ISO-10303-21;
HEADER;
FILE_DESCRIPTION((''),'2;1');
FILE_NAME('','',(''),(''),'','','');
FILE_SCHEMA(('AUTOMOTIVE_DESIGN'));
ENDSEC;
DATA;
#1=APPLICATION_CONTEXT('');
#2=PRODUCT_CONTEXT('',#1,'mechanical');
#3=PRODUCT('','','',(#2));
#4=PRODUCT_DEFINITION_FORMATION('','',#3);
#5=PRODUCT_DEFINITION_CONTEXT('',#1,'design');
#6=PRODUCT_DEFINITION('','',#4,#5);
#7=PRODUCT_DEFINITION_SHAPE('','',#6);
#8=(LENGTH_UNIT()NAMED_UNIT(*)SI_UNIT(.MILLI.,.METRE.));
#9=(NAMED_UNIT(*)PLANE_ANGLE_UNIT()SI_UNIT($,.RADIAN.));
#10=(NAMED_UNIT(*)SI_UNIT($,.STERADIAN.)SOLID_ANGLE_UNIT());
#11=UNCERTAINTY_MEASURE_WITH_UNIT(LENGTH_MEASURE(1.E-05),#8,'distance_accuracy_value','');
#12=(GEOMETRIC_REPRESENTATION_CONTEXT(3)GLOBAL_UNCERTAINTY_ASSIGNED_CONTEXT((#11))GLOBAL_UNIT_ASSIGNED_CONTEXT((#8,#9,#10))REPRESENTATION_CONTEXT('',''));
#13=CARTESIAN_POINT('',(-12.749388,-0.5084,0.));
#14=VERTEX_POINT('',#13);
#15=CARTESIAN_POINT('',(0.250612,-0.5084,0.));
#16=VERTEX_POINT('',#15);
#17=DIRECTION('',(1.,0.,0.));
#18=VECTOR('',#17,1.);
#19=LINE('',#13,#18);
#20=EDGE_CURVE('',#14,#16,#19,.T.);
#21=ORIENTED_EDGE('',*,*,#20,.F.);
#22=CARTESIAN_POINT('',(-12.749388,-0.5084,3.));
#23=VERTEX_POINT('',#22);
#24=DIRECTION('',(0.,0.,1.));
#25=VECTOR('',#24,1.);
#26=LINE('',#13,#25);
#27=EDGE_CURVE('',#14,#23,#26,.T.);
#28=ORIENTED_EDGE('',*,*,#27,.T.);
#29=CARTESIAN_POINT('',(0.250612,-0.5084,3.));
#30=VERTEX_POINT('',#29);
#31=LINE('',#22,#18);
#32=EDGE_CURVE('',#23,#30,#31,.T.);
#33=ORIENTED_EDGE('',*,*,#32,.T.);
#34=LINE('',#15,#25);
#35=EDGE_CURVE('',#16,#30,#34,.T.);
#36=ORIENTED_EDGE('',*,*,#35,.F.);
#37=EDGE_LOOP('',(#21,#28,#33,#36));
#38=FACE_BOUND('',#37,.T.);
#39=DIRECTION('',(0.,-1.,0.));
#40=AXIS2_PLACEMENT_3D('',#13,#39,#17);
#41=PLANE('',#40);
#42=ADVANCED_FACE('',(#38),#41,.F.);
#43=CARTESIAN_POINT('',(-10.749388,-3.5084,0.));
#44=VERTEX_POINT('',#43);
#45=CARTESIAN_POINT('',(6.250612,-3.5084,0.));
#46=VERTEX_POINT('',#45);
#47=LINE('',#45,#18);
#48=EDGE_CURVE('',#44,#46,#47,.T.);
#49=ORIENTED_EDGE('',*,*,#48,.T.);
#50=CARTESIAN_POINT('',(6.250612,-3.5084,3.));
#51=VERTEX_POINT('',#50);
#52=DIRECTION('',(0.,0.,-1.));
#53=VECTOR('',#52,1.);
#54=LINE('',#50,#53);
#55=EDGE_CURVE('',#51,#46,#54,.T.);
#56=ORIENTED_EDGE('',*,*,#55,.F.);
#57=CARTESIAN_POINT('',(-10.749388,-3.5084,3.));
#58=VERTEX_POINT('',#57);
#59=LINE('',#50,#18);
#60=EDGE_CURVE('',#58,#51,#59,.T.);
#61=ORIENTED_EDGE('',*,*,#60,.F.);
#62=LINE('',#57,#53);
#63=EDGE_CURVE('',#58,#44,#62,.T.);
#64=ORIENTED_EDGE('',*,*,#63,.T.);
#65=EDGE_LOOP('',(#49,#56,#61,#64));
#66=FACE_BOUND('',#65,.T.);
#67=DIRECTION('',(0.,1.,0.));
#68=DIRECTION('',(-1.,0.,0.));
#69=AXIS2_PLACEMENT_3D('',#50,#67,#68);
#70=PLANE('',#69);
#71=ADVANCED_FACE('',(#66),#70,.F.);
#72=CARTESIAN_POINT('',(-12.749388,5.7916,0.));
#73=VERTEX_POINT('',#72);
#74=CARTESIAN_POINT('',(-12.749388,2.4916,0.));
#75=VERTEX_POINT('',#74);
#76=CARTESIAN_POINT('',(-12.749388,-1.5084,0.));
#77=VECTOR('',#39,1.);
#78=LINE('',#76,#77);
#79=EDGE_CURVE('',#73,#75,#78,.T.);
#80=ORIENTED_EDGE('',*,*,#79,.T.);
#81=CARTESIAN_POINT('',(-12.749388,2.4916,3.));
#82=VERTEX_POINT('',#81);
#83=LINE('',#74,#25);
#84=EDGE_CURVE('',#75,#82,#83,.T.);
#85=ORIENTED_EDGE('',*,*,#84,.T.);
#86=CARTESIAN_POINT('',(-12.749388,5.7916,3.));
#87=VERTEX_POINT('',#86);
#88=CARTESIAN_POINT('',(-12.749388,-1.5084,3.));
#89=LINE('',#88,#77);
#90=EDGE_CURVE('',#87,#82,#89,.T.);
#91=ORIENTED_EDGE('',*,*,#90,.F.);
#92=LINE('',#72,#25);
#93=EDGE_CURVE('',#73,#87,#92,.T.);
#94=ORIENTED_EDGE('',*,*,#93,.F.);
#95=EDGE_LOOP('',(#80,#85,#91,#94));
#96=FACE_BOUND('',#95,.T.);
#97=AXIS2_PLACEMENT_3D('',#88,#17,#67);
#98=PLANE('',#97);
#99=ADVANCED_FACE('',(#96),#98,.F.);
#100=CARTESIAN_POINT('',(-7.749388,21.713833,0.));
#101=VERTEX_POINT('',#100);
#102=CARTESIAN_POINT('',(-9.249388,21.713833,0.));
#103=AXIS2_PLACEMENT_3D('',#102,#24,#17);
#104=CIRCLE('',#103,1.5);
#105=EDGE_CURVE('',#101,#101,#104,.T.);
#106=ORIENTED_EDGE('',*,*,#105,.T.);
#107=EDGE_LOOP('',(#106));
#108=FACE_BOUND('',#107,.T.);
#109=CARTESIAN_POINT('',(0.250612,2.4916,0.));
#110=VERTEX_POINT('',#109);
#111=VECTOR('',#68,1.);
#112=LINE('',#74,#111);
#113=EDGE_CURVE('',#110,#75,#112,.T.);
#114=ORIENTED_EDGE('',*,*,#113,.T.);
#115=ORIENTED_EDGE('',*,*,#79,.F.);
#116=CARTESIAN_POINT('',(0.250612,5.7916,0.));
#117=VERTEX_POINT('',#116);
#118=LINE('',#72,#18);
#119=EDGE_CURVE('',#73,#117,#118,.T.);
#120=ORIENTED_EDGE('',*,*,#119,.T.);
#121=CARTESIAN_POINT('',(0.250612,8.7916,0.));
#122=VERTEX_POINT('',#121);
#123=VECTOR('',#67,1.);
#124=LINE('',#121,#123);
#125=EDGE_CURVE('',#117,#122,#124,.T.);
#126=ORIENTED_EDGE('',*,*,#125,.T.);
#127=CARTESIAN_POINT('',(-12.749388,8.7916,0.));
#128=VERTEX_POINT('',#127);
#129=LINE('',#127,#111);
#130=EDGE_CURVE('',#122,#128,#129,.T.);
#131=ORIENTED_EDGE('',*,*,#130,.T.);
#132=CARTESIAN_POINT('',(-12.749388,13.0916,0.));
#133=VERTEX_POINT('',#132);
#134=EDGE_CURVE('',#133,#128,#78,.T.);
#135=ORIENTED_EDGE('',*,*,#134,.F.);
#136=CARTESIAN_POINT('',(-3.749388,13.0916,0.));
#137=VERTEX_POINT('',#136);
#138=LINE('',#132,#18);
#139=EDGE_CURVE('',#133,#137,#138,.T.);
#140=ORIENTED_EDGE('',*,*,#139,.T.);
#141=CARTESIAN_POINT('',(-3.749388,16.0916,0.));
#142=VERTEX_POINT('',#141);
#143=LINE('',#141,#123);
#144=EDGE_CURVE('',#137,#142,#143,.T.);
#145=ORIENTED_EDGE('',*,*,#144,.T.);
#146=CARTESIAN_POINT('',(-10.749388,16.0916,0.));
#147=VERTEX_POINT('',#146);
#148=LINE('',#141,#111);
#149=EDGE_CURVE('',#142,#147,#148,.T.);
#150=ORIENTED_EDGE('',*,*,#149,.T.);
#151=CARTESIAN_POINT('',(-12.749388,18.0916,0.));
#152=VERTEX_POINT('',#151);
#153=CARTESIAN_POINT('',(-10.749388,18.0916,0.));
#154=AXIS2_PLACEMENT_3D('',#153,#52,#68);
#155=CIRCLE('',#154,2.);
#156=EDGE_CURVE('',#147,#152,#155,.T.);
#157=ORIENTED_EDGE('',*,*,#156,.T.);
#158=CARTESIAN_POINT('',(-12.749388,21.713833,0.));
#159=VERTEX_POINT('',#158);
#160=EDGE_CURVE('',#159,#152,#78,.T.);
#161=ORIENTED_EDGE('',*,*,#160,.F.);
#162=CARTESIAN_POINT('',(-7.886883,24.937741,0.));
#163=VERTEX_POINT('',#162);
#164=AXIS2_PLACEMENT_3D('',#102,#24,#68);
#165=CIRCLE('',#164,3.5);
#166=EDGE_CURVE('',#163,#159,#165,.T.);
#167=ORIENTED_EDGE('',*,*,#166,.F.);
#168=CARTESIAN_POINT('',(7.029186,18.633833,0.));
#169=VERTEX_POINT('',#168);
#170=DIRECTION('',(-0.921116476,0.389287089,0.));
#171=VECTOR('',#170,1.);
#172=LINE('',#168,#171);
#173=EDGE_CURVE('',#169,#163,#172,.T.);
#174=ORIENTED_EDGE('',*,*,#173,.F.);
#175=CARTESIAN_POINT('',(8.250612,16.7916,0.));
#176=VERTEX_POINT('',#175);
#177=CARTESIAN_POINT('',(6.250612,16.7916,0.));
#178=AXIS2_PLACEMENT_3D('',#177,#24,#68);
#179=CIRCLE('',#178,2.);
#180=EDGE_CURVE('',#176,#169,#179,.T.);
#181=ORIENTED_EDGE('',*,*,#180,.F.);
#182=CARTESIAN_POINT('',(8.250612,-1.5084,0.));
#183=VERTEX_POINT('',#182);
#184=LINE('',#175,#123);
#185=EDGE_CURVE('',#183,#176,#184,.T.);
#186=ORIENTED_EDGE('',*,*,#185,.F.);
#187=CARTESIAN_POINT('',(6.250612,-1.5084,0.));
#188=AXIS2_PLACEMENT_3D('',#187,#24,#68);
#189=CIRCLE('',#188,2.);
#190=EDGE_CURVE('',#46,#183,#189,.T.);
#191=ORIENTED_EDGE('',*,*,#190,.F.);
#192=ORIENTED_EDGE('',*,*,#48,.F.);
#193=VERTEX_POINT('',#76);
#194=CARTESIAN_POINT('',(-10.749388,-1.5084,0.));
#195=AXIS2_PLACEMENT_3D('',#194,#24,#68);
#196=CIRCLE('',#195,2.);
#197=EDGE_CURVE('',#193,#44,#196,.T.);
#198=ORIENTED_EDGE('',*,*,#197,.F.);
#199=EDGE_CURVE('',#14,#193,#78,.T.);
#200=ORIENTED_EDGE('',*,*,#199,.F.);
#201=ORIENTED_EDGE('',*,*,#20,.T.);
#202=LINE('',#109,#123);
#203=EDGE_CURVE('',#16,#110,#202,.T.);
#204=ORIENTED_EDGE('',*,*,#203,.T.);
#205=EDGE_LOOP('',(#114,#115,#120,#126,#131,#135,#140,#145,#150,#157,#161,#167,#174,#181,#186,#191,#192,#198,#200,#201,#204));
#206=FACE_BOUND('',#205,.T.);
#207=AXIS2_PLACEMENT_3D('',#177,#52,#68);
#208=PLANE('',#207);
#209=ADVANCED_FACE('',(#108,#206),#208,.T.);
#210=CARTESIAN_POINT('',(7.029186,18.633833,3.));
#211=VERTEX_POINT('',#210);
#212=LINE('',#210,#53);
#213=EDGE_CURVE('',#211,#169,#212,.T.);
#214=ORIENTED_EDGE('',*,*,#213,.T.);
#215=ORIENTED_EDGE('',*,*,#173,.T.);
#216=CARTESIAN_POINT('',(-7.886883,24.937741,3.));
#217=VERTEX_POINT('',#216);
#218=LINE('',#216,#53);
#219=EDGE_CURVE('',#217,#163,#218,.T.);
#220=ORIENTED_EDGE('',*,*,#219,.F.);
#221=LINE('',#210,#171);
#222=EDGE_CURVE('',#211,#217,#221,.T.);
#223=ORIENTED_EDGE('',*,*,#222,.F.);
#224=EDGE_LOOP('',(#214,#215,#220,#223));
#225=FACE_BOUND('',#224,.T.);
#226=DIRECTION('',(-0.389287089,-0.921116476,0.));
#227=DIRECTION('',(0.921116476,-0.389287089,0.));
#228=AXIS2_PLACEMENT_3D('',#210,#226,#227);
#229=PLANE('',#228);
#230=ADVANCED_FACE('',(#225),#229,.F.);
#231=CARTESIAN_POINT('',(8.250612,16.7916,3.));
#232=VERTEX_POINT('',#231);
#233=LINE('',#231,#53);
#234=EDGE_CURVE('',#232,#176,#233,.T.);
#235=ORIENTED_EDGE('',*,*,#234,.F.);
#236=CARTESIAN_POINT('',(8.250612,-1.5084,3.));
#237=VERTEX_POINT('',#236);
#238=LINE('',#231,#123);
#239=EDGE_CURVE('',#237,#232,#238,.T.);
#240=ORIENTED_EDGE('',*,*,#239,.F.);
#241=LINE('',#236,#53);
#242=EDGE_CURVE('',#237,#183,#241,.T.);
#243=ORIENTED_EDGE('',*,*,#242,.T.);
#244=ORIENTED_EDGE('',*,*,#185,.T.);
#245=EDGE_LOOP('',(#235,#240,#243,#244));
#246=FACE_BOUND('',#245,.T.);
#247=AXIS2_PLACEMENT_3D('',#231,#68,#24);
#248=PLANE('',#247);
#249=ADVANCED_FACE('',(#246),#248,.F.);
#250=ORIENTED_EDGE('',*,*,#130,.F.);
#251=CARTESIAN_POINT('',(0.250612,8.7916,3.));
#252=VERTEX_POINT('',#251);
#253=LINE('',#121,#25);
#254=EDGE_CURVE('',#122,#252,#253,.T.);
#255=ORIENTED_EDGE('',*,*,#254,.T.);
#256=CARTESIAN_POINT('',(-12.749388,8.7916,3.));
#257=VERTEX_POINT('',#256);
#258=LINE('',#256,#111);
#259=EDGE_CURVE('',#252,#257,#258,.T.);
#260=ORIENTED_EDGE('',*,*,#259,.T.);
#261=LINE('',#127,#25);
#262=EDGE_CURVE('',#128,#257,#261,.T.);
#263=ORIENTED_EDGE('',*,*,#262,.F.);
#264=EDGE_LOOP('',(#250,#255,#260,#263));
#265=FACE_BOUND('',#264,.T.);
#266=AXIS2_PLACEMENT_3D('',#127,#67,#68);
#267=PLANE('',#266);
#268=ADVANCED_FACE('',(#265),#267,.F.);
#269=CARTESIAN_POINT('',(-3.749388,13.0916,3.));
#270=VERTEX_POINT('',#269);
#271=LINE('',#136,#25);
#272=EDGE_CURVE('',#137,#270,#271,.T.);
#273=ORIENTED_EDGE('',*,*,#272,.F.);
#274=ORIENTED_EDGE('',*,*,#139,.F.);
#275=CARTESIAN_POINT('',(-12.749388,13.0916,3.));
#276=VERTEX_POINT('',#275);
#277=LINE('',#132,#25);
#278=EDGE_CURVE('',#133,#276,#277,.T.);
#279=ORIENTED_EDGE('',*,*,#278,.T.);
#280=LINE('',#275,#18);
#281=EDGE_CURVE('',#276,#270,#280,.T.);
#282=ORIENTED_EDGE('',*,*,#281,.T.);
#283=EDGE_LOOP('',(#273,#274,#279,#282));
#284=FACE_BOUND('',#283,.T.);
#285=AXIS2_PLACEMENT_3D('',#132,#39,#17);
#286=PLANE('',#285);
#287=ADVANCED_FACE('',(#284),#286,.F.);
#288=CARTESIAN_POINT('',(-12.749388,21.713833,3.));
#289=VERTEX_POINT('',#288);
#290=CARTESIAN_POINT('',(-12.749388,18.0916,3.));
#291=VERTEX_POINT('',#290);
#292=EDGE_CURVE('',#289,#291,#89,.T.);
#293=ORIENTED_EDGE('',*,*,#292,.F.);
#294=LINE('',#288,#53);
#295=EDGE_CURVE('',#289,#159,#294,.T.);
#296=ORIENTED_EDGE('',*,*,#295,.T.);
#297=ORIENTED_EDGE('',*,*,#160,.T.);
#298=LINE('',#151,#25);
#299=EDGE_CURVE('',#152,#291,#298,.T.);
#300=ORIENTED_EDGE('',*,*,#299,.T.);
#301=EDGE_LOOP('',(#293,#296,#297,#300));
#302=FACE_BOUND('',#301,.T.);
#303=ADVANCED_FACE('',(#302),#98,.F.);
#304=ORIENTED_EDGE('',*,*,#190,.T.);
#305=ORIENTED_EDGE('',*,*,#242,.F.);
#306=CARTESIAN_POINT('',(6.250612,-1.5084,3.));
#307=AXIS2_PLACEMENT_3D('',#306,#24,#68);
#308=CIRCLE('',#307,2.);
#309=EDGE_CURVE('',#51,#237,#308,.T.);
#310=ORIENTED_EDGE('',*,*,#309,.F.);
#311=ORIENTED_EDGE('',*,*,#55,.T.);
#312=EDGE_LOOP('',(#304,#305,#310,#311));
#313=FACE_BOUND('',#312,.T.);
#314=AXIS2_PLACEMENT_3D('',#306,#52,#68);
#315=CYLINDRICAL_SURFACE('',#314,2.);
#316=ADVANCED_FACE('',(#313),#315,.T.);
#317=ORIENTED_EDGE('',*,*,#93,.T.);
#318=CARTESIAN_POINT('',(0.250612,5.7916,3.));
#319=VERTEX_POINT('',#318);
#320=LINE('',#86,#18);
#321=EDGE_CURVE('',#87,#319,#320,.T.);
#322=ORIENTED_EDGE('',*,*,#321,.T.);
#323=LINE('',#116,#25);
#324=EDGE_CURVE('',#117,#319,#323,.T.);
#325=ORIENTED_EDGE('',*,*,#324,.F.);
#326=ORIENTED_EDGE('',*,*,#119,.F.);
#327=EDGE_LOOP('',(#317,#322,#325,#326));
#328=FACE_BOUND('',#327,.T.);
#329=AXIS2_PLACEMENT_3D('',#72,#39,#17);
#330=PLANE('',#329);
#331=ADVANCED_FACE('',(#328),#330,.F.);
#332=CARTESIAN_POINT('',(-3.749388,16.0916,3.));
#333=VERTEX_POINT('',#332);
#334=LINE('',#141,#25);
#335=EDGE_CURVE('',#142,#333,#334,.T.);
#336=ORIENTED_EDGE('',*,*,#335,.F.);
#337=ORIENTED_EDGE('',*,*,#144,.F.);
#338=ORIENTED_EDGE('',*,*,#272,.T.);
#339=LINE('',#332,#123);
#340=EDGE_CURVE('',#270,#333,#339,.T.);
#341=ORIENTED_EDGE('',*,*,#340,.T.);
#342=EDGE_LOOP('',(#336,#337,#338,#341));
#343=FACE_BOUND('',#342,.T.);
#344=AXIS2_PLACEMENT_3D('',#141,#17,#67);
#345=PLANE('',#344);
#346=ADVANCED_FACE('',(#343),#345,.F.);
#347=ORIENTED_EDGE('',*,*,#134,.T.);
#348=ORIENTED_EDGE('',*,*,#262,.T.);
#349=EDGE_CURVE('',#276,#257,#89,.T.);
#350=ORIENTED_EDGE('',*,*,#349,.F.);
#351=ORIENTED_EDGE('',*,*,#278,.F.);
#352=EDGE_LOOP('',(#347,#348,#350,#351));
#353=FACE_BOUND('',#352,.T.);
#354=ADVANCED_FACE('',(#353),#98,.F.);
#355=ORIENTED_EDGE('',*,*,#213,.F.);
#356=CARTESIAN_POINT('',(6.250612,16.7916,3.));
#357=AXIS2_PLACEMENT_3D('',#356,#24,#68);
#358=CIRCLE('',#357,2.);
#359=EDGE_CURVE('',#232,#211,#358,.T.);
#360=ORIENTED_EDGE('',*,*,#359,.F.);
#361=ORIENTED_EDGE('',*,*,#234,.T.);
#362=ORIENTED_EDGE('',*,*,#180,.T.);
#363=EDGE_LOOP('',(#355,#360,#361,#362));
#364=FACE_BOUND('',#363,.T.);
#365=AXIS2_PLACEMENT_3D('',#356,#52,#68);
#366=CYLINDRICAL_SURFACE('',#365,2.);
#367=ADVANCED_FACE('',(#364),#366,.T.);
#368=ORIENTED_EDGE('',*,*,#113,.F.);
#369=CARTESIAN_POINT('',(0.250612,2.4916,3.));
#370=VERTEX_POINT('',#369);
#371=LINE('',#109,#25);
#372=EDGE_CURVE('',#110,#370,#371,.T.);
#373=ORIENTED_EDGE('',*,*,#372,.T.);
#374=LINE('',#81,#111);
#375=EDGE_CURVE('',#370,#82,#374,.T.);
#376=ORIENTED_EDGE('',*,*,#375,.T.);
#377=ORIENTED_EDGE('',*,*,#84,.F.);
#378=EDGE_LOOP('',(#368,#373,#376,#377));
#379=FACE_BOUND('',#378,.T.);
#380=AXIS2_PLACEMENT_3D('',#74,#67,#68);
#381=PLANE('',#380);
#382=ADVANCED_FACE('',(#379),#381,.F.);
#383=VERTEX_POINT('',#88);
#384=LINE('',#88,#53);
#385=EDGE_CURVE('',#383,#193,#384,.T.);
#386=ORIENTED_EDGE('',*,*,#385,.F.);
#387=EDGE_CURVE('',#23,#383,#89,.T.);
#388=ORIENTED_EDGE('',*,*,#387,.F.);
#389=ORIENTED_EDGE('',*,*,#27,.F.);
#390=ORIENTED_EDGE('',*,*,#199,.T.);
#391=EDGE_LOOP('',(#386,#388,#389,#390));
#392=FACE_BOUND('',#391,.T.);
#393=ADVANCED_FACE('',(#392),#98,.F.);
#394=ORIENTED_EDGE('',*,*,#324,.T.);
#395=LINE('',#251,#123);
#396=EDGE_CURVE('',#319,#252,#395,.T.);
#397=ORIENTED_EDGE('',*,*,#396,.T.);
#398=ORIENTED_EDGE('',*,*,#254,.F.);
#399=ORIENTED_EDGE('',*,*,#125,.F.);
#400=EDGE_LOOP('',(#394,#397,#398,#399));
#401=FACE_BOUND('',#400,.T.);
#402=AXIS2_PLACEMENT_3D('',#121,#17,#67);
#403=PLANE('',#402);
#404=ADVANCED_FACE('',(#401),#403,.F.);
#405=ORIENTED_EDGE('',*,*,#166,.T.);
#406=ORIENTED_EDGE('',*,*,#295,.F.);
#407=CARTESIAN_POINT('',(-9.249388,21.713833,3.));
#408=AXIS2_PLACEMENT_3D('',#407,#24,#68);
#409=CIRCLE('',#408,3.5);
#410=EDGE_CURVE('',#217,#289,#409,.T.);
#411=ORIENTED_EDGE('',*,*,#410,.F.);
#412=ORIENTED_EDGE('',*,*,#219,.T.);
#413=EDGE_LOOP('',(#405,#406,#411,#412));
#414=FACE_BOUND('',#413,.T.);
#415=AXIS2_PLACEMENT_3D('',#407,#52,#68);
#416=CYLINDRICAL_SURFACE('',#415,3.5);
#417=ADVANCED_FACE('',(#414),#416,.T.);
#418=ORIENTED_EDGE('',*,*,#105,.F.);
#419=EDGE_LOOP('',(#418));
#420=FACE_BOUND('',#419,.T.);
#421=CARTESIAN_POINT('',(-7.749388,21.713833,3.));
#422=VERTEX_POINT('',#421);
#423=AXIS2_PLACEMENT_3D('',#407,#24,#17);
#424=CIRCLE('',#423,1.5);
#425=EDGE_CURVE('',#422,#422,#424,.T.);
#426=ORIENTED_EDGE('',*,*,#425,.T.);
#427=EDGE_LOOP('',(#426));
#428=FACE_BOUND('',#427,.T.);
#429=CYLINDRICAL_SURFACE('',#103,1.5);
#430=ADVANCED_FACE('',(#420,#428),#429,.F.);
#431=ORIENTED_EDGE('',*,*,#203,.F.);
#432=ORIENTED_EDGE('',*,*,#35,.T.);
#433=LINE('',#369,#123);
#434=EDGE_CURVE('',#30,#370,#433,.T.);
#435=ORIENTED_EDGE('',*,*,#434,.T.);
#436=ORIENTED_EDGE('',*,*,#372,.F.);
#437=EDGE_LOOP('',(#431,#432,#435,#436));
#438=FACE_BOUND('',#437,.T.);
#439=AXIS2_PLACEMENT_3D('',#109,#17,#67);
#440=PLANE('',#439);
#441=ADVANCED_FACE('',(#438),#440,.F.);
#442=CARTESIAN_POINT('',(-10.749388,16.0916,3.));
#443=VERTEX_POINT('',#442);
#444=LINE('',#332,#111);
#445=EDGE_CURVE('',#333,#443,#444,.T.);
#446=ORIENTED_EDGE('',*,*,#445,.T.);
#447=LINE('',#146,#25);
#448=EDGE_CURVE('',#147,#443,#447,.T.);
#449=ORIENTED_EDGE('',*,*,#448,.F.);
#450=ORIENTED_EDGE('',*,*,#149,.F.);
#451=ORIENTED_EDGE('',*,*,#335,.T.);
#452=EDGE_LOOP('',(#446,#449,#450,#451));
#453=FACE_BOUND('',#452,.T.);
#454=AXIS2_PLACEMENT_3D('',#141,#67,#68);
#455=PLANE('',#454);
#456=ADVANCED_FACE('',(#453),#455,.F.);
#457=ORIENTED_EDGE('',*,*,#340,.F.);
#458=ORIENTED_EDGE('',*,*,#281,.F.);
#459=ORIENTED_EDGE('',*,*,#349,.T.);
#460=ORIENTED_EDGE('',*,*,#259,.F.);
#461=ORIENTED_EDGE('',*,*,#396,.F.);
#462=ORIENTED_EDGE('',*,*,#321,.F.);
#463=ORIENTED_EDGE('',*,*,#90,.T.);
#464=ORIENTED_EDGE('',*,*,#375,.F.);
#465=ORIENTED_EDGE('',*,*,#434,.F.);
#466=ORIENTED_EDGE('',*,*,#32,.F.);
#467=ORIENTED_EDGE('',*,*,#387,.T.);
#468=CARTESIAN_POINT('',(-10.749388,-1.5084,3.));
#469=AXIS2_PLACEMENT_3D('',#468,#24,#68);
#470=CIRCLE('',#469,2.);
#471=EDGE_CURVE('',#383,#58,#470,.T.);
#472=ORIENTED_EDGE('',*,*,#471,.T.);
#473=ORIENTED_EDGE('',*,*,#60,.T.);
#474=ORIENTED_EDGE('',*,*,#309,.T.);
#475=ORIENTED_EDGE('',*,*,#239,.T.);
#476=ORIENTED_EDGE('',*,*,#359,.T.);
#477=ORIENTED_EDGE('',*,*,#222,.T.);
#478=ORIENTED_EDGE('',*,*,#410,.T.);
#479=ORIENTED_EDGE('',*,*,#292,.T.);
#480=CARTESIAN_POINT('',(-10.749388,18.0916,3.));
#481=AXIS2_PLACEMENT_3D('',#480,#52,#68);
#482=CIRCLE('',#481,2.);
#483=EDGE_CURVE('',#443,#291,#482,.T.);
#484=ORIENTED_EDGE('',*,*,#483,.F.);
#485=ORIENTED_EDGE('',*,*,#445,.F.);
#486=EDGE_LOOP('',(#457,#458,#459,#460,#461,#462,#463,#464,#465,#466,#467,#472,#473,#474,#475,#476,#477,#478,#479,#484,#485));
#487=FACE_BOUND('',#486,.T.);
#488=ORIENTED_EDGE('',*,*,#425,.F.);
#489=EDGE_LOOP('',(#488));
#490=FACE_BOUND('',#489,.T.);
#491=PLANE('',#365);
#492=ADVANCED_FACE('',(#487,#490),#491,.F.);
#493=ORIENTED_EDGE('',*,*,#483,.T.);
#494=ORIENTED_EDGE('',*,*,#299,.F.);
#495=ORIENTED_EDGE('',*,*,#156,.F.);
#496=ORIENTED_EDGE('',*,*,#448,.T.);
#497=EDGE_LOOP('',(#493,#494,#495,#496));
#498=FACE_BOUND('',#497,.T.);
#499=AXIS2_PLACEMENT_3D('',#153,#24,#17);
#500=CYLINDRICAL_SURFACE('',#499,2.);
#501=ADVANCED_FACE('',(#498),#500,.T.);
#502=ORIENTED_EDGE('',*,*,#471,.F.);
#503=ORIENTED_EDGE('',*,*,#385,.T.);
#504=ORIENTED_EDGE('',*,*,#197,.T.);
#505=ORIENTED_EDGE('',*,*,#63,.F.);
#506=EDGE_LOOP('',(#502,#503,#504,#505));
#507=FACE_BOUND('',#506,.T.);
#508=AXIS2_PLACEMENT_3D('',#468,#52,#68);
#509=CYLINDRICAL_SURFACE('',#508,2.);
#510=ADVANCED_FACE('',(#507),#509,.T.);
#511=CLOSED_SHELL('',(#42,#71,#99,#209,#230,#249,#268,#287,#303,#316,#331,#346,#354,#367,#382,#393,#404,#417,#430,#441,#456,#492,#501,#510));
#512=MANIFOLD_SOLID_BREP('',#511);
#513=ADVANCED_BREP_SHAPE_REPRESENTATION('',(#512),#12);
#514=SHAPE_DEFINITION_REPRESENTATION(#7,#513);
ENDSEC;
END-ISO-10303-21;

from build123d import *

# Parameters (mm, degrees)
BOSS_EXTRUDE1_DEPTH = 3
SKETCH4_W           = 13
SKETCH4_H           = 3
CUT_EXTRUDE1_DEPTH  = 3
SKETCH5_R           = 1.5
CUT_EXTRUDE2_DEPTH  = 3


with BuildPart() as part:
    # Sketch2 → Boss-Extrude1 (new body)
    with BuildSketch(Plane.XY):
        with BuildLine():
            Line((8.250612211, 16.791600065), (8.250612211, -1.508399935))
            ThreePointArc((8.250612211, -1.508399935), (7.664825773, -2.922613498), (6.250612211, -3.508399935))
            Line((6.250612211, -3.508399935), (-10.749387789, -3.508399935))
            ThreePointArc((-10.749387789, -3.508399935), (-12.163601352, -2.922613498), (-12.749387789, -1.508399935))
            Line((-12.749387789, -1.508399935), (-12.749387789, 21.713833017))
            ThreePointArc((-12.749387789, 21.713833017), (-11.183455157, 24.630917763), (-7.886882979, 24.937740684))
            Line((-7.886882979, 24.937740684), (7.029186388, 18.633833017))
            ThreePointArc((7.029186388, 18.633833017), (7.91751778, 17.896781418), (8.250612211, 16.791600065))
        make_face()
    extrude(amount=BOSS_EXTRUDE1_DEPTH)

    # Sketch4 → Cut-Extrude1 (cut)
    with BuildSketch(Plane.XY.offset(3)):
        with BuildLine():
            Line((-12.749387789, 13.091600065), (-3.749387789, 13.091600065))
            Line((-3.749387789, 13.091600065), (-3.749387789, 16.091600065))
            Line((-3.749387789, 16.091600065), (-10.749387789, 16.091600065))
            ThreePointArc((-10.749387789, 16.091600065), (-12.163601352, 16.677386502), (-12.749387789, 18.091600065))
            Line((-12.749387789, 18.091600065), (-12.749387789, 13.091600065))
        make_face()
        with Locations((-6.249387789, 7.291600065)):
            Rectangle(SKETCH4_W, SKETCH4_H)
        with Locations((-6.249387789, 0.991600065)):
            Rectangle(SKETCH4_W, SKETCH4_H)
    extrude(amount=-CUT_EXTRUDE1_DEPTH, mode=Mode.SUBTRACT)

    # Sketch5 → Cut-Extrude2 (cut)
    with BuildSketch(Plane.XY.offset(3)):
        with Locations((-9.249387789, 21.713833017)):
            Circle(SKETCH5_R)
    extrude(amount=-CUT_EXTRUDE2_DEPTH, mode=Mode.SUBTRACT)


solid = part.part
